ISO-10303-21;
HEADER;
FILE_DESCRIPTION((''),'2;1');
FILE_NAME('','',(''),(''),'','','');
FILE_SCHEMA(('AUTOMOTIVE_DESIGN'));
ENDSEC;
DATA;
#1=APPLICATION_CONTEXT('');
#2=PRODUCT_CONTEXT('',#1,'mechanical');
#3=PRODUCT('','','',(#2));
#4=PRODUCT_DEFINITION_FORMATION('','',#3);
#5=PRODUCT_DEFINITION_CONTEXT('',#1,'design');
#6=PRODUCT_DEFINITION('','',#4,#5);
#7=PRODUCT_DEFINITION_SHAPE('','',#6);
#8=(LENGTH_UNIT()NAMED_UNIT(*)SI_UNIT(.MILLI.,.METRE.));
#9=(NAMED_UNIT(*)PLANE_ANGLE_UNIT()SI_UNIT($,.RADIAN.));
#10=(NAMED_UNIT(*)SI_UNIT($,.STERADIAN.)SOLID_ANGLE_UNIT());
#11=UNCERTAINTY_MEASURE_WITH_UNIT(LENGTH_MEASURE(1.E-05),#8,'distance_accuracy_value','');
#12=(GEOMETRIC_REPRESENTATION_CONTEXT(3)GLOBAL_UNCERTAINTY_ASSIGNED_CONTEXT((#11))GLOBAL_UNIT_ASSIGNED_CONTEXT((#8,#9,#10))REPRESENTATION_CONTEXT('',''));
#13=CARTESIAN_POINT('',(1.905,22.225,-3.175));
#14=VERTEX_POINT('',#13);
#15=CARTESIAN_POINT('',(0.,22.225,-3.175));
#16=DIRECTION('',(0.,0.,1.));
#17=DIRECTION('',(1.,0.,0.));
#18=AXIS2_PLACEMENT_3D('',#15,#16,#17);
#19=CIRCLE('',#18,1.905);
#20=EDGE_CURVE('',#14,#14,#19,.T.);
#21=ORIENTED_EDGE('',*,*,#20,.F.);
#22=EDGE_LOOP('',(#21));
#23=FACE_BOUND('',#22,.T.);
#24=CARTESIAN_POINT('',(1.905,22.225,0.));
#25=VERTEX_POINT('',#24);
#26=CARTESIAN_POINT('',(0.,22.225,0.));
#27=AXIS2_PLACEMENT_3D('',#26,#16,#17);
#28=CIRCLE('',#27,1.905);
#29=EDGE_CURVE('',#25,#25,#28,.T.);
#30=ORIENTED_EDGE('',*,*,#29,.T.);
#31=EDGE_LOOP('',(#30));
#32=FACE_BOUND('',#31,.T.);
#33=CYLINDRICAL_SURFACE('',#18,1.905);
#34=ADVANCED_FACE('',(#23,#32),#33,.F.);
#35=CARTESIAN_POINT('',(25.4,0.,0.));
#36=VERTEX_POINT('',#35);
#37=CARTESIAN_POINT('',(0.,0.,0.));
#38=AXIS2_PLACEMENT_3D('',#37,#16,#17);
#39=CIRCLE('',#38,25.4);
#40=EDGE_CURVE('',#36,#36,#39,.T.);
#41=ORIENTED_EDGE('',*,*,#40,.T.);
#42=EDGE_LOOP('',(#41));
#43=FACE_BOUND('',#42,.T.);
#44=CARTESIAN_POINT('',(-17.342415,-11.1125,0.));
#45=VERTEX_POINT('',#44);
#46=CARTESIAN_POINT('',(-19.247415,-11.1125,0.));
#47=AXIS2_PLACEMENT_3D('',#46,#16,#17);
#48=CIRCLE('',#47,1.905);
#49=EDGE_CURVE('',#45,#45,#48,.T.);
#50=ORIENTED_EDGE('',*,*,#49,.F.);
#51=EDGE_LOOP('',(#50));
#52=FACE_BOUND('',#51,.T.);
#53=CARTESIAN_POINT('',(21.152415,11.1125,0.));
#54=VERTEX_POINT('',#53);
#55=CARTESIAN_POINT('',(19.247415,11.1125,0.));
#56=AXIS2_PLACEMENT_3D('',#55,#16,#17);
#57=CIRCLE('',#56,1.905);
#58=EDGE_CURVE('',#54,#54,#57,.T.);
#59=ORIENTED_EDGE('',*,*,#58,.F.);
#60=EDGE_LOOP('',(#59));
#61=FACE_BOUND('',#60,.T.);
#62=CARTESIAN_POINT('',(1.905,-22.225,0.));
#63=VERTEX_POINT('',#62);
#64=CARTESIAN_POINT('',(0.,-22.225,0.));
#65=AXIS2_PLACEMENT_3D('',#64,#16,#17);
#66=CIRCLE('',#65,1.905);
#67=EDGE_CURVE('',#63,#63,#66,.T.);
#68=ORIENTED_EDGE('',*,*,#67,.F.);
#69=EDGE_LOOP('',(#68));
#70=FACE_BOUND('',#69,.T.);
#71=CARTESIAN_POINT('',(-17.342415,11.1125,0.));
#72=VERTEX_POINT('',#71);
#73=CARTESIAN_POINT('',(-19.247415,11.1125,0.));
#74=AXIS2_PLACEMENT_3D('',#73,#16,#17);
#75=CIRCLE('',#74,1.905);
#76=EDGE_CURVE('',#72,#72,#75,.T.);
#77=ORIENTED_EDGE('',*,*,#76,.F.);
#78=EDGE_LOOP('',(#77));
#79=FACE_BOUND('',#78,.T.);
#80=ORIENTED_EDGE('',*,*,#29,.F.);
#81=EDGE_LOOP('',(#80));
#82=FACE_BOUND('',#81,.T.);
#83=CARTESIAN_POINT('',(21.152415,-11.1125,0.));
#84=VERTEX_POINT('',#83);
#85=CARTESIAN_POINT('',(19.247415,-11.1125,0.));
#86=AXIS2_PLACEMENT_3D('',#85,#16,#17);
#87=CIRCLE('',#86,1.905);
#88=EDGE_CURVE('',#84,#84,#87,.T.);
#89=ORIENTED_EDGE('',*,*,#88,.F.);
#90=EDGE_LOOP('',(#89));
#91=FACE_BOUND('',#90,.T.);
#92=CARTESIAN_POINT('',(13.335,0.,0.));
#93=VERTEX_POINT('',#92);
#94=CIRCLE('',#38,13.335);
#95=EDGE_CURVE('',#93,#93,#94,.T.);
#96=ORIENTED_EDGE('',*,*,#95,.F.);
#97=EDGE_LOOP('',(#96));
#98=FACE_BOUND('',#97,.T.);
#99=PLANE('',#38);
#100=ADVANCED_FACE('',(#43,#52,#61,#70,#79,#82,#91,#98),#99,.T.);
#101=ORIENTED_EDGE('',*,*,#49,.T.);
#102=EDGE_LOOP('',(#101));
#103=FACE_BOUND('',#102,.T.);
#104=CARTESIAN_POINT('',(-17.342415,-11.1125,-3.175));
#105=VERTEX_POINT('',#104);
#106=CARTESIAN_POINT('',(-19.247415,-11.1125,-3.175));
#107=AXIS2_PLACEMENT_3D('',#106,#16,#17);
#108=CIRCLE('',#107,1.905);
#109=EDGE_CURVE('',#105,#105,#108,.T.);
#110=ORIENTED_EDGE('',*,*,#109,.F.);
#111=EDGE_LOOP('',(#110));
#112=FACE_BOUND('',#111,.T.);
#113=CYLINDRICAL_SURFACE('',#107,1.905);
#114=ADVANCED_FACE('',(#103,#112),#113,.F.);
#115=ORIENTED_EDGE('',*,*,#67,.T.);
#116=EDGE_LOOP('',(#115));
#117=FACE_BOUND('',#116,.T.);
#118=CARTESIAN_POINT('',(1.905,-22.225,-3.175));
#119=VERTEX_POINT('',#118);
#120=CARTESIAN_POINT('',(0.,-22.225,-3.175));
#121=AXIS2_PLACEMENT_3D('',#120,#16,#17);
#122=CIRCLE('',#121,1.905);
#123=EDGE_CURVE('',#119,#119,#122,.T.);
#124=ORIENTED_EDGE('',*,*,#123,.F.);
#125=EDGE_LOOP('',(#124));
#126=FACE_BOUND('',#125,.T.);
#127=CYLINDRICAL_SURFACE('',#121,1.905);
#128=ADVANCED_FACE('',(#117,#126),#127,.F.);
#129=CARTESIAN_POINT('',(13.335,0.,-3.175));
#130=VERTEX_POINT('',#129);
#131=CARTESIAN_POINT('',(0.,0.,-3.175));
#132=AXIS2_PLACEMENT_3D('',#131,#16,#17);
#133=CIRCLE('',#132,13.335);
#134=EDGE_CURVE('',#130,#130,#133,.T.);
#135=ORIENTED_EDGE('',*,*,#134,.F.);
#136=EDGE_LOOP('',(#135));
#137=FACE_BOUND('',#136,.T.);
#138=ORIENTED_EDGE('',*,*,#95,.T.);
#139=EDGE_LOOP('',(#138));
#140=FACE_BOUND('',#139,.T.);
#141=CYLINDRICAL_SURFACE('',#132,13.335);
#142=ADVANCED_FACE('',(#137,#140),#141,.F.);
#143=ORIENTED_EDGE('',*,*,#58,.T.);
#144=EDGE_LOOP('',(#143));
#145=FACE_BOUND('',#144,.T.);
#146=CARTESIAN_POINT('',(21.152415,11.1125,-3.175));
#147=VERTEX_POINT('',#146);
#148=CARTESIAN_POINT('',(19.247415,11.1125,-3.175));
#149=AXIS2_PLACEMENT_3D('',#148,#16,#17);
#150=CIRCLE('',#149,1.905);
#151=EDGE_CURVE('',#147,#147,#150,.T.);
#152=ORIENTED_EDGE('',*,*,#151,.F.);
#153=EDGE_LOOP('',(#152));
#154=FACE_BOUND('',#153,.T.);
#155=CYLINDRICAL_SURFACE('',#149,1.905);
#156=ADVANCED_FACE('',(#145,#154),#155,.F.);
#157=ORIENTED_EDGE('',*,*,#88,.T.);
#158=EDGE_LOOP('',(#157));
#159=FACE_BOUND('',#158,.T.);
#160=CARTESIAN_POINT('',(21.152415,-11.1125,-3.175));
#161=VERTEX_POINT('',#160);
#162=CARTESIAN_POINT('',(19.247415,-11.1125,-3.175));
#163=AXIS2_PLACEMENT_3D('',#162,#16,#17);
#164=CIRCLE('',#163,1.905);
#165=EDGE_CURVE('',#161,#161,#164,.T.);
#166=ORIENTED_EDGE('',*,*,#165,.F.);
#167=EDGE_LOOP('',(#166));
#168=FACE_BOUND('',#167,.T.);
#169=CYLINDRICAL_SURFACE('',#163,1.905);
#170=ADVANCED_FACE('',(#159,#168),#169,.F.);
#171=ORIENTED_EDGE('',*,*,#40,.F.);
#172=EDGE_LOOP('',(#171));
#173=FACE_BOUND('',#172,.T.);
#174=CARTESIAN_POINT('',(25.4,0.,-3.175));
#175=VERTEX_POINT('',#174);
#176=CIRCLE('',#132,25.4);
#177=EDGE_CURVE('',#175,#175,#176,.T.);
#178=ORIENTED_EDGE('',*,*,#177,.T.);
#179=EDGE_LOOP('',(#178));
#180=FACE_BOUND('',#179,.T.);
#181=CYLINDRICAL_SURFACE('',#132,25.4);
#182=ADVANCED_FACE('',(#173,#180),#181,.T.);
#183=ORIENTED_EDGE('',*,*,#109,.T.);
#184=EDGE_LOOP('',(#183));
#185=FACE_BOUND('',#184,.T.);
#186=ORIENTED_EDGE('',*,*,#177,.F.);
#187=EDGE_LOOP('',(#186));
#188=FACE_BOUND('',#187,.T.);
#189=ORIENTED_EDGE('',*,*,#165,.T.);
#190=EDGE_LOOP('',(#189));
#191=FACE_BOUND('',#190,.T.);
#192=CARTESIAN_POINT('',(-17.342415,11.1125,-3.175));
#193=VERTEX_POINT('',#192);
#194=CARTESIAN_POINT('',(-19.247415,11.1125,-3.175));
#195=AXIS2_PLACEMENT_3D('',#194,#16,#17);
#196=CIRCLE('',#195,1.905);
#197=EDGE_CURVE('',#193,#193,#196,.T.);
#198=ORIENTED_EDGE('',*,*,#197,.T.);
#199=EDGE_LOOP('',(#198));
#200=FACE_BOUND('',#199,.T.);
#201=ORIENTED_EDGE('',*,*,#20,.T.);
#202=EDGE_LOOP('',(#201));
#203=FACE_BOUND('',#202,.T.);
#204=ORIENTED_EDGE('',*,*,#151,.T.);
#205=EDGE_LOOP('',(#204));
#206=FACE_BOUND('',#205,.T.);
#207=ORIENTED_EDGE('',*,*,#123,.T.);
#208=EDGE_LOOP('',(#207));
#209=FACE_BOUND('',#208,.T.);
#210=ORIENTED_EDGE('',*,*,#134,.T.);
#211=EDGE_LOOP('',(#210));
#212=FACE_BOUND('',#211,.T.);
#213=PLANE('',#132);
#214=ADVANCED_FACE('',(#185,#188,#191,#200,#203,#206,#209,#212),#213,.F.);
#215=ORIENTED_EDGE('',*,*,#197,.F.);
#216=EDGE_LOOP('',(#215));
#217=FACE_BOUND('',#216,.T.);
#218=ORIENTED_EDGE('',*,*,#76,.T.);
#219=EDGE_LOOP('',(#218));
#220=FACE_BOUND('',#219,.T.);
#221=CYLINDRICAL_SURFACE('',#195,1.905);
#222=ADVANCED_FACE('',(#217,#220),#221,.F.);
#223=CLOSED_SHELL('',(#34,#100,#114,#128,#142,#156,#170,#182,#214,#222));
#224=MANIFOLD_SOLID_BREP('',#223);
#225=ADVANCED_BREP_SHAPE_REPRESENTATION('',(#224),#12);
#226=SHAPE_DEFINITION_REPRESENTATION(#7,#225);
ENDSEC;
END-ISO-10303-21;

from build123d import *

# Parameters (mm, degrees)
BASE_SKETCH_R      = 25.4
BASE_SKETCH_R_2    = 13.335
BASE_SKETCH_R_3    = 1.905
BASE_EXTRUDE_DEPTH = 3.175


with BuildPart() as part:
    # Base Sketch → Base Extrude (new body)
    with BuildSketch(Plane.XY):
        Circle(BASE_SKETCH_R)
        Circle(BASE_SKETCH_R_2, mode=Mode.SUBTRACT)
        with Locations((0, 22.225)):
            Circle(BASE_SKETCH_R_3, mode=Mode.SUBTRACT)
        with Locations((19.247414599, 11.1125)):
            Circle(BASE_SKETCH_R_3, mode=Mode.SUBTRACT)
        with Locations((19.247414599, -11.1125)):
            Circle(BASE_SKETCH_R_3, mode=Mode.SUBTRACT)
        with Locations((0, -22.225)):
            Circle(BASE_SKETCH_R_3, mode=Mode.SUBTRACT)
        with Locations((-19.247414599, -11.1125)):
            Circle(BASE_SKETCH_R_3, mode=Mode.SUBTRACT)
        with Locations((-19.247414599, 11.1125)):
            Circle(BASE_SKETCH_R_3, mode=Mode.SUBTRACT)
    extrude(amount=-BASE_EXTRUDE_DEPTH)


solid = part.part
